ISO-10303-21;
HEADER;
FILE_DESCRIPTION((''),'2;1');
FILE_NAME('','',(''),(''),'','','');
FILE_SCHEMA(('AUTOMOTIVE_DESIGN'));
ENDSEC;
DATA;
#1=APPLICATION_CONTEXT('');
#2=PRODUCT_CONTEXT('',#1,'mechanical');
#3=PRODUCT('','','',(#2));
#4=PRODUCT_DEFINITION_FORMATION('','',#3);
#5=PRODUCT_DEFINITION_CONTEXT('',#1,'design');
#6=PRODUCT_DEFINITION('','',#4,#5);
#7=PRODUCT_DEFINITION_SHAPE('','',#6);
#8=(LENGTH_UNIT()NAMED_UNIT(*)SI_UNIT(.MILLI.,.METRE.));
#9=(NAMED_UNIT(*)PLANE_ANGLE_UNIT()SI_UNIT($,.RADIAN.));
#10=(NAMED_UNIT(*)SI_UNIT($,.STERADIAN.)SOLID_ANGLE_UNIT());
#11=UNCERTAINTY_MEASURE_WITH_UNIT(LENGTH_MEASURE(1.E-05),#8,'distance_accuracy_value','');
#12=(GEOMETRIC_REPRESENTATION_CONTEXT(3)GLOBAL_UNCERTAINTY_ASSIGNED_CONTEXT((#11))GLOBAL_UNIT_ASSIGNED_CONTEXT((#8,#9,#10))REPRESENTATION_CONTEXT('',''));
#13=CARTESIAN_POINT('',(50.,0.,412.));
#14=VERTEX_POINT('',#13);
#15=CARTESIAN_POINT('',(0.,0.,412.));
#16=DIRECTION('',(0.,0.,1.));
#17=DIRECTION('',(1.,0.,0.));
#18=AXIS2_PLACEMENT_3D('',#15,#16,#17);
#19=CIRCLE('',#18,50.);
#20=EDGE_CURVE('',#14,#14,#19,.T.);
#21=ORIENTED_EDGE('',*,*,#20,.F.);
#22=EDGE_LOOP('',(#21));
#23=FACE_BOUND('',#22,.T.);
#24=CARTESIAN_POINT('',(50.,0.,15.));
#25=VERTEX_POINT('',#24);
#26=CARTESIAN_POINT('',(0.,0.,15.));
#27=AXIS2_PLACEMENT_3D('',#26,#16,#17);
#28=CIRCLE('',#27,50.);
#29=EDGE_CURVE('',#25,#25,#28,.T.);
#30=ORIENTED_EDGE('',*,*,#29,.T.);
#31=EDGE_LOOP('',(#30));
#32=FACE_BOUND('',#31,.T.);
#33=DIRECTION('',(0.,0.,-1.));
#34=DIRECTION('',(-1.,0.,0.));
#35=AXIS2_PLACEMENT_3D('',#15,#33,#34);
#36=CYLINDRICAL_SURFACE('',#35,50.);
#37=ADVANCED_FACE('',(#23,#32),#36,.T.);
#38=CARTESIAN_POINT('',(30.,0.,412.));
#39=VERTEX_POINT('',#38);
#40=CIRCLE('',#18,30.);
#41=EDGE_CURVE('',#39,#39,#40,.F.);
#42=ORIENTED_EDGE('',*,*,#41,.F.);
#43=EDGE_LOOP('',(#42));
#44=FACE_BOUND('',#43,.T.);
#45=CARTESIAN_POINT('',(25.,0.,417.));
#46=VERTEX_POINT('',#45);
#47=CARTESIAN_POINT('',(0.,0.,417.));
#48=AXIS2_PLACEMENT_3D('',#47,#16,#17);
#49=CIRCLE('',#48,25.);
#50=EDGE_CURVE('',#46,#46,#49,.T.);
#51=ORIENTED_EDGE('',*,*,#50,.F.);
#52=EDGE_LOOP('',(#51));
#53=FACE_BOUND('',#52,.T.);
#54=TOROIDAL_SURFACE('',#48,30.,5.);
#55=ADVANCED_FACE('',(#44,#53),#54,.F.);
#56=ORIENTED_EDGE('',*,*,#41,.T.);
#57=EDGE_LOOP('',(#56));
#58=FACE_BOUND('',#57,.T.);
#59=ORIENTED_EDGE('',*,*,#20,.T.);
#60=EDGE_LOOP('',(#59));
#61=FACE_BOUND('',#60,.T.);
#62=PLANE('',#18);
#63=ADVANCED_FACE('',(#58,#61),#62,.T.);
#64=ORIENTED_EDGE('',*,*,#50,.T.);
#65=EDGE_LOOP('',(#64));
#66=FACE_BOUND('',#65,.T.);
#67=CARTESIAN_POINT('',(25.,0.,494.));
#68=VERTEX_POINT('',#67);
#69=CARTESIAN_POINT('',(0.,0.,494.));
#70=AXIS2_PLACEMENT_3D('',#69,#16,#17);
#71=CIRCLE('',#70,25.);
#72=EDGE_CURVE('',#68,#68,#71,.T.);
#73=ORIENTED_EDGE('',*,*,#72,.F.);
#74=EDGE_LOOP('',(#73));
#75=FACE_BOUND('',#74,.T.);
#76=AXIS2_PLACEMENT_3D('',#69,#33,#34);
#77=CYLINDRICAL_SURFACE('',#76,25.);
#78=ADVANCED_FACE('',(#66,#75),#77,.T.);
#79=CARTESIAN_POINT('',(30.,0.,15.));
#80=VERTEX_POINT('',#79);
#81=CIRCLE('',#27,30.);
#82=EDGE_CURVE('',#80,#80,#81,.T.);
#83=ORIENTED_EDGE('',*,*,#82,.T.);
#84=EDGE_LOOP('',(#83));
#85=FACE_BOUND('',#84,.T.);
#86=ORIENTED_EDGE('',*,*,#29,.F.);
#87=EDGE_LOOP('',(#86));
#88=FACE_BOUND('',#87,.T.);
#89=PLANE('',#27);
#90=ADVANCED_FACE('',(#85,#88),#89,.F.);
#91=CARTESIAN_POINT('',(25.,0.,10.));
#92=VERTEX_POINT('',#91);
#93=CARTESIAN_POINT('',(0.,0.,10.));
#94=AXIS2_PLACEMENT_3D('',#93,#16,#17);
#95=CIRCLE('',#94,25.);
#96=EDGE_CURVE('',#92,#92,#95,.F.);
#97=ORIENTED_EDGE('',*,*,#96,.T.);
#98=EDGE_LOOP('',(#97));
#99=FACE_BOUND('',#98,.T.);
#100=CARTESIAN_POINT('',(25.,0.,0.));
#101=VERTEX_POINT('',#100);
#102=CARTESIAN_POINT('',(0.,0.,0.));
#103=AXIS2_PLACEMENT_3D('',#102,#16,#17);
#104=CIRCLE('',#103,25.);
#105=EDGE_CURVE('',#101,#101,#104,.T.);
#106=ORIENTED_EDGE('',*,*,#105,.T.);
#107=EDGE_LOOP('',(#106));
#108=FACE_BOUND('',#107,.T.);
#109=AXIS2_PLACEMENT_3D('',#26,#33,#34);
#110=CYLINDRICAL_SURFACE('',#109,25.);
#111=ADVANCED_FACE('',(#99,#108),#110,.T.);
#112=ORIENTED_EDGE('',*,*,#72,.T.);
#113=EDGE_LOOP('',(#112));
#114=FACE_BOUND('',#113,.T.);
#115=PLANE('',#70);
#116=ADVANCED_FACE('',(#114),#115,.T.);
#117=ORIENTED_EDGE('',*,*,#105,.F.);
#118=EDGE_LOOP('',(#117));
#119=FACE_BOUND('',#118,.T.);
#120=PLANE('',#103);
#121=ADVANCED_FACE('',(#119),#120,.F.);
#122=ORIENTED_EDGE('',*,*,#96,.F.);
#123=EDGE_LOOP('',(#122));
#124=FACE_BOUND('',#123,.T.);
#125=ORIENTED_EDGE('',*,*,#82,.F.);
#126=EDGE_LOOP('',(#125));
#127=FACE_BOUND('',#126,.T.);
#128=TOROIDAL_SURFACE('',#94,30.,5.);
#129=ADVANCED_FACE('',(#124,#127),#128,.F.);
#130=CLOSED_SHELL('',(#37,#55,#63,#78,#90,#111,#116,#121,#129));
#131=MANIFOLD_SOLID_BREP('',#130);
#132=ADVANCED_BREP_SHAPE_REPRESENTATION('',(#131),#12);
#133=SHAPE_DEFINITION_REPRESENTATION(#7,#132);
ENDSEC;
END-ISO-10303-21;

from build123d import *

# Parameters (mm, degrees)
SKETCH1_R           = 25
BOSS_EXTRUDE1_DEPTH = 15
SKETCH2_R           = 50
BOSS_EXTRUDE2_DEPTH = 397
SKETCH3_R           = 25
BOSS_EXTRUDE3_DEPTH = 82
FILLET1_R           = 5


with BuildPart() as part:
    # Sketch1 → Boss-Extrude1 (new body)
    with BuildSketch(Plane.XY):
        Circle(SKETCH1_R)
    extrude(amount=BOSS_EXTRUDE1_DEPTH)

    # Sketch2 → Boss-Extrude2 (add)
    with BuildSketch(Plane.XY.offset(15)):
        Circle(SKETCH2_R)
    extrude(amount=BOSS_EXTRUDE2_DEPTH)

    # Sketch3 → Boss-Extrude3 (add)
    with BuildSketch(Plane.XY.offset(412)):
        Circle(SKETCH3_R)
    extrude(amount=BOSS_EXTRUDE3_DEPTH)

    # Fillet1
    fillet1_edges = [part.edges().sort_by_distance(p)[0] for p in [
        (-25, 0, 15),
        (-25, 0, 412),
    ]]
    fillet(fillet1_edges, radius=FILLET1_R)


solid = part.part
